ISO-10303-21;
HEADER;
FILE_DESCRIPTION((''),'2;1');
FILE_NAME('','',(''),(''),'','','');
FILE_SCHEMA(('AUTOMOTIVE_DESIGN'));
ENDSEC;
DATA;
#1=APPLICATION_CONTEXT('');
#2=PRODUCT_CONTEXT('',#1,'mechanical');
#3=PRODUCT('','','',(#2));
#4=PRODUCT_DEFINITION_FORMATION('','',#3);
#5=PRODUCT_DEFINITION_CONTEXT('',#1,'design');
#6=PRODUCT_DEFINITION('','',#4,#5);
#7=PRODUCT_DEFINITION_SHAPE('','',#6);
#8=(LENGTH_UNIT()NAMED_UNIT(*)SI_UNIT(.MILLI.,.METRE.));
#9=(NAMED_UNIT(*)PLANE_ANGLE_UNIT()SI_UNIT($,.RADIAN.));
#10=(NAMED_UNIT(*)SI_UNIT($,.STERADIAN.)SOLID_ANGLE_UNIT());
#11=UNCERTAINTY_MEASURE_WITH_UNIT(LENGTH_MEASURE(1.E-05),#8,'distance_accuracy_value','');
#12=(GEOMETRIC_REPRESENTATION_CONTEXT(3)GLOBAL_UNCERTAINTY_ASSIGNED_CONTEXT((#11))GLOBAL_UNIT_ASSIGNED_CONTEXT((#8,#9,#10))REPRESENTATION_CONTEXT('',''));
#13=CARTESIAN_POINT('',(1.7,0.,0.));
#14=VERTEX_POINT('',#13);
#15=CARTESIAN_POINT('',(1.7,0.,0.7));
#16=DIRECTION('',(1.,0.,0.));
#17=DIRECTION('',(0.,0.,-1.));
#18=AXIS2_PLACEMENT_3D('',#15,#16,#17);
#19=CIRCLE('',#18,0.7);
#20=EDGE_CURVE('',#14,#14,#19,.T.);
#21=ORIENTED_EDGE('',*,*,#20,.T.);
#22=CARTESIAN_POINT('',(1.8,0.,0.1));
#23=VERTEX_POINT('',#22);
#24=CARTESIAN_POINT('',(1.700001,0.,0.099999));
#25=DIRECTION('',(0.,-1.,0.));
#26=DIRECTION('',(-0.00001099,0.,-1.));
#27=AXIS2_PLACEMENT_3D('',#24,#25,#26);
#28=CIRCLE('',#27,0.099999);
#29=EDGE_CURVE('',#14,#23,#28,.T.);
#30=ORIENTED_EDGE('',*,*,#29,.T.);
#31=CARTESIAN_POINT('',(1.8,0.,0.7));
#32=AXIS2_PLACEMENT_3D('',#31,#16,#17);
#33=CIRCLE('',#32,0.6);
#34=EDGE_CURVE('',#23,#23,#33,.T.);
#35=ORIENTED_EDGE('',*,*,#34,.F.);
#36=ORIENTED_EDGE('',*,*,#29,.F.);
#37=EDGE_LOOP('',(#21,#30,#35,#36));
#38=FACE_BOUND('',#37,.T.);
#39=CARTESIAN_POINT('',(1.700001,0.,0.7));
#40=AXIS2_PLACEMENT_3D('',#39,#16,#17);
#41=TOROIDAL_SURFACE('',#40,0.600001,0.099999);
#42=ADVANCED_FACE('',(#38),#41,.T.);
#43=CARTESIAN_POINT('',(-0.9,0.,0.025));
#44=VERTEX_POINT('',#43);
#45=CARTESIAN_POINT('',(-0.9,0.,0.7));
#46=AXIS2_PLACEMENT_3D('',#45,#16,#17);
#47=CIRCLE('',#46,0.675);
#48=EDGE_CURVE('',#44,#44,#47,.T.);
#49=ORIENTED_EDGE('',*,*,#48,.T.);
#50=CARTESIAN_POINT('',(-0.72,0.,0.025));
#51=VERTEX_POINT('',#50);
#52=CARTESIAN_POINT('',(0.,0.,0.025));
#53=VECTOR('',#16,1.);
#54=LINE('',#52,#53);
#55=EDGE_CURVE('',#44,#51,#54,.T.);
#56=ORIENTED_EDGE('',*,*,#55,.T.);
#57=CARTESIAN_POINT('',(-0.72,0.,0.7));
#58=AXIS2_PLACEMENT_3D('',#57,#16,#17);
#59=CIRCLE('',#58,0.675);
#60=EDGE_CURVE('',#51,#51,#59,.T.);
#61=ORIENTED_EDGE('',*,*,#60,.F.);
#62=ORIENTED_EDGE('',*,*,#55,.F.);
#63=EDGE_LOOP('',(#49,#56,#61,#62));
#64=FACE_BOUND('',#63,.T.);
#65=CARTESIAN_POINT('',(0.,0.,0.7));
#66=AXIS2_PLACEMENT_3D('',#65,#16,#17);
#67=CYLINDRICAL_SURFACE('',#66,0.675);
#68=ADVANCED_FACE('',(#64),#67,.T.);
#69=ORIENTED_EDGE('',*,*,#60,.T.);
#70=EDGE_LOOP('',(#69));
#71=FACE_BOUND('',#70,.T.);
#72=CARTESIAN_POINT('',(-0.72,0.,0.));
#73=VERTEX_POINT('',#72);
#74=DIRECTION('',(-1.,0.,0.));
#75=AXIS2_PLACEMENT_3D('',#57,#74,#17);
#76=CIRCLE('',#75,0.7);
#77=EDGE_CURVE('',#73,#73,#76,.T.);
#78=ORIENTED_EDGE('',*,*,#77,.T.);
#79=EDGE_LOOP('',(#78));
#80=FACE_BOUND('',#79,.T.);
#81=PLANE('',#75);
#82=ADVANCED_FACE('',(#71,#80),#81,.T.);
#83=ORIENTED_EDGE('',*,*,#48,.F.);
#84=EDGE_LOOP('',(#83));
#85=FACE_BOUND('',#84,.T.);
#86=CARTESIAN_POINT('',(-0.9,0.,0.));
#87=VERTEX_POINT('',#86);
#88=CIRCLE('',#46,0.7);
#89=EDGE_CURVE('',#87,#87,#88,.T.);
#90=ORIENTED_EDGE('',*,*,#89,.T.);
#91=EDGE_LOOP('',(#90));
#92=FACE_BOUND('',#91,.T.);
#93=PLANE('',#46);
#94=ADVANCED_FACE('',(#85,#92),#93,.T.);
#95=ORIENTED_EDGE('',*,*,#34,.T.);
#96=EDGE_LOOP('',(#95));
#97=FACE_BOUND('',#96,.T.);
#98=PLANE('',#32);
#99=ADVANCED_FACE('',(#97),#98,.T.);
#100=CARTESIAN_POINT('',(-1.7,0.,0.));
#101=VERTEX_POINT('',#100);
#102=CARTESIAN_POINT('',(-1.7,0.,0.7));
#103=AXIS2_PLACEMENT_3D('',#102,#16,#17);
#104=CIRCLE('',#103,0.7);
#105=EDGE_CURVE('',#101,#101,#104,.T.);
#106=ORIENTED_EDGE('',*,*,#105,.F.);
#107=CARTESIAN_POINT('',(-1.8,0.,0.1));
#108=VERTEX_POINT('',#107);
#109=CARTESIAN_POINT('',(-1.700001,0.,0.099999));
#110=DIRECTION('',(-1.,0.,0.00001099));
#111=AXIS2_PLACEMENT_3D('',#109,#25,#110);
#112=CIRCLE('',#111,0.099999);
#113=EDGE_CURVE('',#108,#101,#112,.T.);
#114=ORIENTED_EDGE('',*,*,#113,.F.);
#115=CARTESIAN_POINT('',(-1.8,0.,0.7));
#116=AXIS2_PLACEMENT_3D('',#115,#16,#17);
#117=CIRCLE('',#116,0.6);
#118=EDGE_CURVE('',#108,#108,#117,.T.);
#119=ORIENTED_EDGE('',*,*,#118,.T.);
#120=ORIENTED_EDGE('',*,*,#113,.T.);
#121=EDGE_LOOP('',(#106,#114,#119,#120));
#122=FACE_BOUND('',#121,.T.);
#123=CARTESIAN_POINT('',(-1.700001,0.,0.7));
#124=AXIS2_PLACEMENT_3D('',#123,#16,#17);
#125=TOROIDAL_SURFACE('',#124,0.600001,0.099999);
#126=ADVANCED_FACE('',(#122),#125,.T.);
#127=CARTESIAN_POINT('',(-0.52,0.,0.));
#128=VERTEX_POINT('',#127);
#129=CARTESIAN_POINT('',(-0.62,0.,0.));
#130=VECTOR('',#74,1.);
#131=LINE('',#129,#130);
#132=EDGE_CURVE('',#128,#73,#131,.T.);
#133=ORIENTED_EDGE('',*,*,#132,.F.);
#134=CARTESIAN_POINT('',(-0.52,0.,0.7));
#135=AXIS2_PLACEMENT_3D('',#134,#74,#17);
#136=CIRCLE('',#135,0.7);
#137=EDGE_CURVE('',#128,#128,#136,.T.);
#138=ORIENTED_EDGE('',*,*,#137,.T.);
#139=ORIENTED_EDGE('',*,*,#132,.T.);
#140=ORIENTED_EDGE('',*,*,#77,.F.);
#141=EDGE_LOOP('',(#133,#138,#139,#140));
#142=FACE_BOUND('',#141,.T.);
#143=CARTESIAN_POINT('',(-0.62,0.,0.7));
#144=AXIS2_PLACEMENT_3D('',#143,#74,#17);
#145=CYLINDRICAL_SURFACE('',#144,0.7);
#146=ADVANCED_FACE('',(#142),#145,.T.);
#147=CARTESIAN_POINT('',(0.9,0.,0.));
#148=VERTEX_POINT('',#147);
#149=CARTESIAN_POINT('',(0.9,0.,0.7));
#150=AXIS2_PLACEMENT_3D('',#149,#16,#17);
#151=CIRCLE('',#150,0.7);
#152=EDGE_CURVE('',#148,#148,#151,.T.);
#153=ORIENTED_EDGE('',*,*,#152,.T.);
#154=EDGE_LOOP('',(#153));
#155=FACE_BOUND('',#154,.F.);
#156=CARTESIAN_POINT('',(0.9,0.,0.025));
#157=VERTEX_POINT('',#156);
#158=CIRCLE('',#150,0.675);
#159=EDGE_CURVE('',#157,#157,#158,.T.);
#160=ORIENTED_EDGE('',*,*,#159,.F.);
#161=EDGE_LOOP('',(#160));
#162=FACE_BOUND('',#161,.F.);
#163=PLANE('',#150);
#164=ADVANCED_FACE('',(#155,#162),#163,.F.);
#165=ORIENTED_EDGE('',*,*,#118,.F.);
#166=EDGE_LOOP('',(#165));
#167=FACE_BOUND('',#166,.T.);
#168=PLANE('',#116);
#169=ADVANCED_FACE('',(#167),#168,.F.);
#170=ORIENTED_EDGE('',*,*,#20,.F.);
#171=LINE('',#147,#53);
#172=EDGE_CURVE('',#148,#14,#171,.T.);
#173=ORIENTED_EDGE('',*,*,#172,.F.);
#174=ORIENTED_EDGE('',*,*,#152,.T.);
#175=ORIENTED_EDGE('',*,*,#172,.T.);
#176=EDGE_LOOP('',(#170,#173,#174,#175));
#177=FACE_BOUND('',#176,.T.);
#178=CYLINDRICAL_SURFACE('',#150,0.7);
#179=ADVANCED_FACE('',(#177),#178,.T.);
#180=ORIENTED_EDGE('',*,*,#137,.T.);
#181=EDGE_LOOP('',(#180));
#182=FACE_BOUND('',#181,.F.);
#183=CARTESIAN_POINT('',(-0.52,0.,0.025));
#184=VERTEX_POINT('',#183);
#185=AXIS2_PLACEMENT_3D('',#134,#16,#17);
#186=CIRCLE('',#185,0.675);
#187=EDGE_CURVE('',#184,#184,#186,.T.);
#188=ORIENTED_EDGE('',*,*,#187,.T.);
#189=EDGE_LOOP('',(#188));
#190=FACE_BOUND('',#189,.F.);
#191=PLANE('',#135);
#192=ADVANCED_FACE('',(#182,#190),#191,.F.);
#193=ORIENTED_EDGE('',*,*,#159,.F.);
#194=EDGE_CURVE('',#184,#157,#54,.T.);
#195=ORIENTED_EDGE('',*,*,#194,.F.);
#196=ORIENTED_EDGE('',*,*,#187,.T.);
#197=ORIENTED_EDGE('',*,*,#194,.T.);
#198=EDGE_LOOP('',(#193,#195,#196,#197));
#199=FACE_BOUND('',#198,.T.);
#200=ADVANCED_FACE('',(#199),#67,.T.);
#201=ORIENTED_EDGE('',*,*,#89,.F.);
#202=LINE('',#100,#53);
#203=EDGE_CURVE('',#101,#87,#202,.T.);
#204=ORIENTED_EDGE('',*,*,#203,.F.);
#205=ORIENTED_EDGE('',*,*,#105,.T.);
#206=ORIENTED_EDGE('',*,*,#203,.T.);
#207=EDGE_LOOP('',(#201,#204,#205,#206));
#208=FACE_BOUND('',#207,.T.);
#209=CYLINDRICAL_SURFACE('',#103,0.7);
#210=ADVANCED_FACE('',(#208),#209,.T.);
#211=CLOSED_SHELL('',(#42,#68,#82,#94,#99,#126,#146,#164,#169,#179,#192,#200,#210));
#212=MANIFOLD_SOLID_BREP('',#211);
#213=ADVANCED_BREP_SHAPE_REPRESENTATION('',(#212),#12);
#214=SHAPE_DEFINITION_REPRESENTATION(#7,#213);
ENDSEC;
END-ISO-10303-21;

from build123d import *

# Parameters (mm, degrees)
SKETCH002_W = 0.2
SKETCH002_H = 0.05
SKETCH_W    = 2.7
SKETCH_H    = 0.675


with BuildPart() as revolution002:
    # Sketch002 → Revolution002 (revolve)
    with BuildSketch(Plane(origin=(0, 0, 0), x_dir=(-1, 0, 0), z_dir=(0, 1, 0))):
        with Locations((0.62, 0.025)):
            Rectangle(SKETCH002_W, SKETCH002_H)
    revolve(axis=Axis((1.725436, 0, 0.7), (-1, 0, 0)))


with BuildPart() as revolution001:
    # Sketch001 → Revolution001 (revolve)
    with BuildSketch(Plane.XZ):
        with BuildLine():
            Line((-1.7, 0), (-0.9, 0))
            Line((-0.9, 0), (-0.9, 0.19375))
            Line((-0.9, 0.19375), (0.9, 0.19375))
            Line((0.9, 0), (0.9, 0.19375))
            Line((0.9, 0), (1.7, 0))
            ThreePointArc((1.7, 0), (1.770711, 0.029289), (1.8, 0.1))
            Line((1.8, 0.1), (1.8, 0.7))
            Line((-1.8, 0.7), (1.8, 0.7))
            Line((-1.8, 0.7), (-1.8, 0.1))
            ThreePointArc((-1.8, 0.1), (-1.770711, 0.029289), (-1.7, 0))
        make_face()
    revolve(axis=Axis((-8.2, 0, 0.7), (1, 0, 0)))


with BuildPart() as d_minimelf_standard:
    # Sketch → Revolution (revolve)
    with BuildSketch(Plane.XZ):
        with Locations((0, 0.3625)):
            Rectangle(SKETCH_W, SKETCH_H)
    revolve(axis=Axis((-15.061842, 0, 0.7), (1, 0, 0)))

    # Fusion: union Revolution002, Revolution001
    add(revolution002.part)
    add(revolution001.part)


solid = d_minimelf_standard.part
